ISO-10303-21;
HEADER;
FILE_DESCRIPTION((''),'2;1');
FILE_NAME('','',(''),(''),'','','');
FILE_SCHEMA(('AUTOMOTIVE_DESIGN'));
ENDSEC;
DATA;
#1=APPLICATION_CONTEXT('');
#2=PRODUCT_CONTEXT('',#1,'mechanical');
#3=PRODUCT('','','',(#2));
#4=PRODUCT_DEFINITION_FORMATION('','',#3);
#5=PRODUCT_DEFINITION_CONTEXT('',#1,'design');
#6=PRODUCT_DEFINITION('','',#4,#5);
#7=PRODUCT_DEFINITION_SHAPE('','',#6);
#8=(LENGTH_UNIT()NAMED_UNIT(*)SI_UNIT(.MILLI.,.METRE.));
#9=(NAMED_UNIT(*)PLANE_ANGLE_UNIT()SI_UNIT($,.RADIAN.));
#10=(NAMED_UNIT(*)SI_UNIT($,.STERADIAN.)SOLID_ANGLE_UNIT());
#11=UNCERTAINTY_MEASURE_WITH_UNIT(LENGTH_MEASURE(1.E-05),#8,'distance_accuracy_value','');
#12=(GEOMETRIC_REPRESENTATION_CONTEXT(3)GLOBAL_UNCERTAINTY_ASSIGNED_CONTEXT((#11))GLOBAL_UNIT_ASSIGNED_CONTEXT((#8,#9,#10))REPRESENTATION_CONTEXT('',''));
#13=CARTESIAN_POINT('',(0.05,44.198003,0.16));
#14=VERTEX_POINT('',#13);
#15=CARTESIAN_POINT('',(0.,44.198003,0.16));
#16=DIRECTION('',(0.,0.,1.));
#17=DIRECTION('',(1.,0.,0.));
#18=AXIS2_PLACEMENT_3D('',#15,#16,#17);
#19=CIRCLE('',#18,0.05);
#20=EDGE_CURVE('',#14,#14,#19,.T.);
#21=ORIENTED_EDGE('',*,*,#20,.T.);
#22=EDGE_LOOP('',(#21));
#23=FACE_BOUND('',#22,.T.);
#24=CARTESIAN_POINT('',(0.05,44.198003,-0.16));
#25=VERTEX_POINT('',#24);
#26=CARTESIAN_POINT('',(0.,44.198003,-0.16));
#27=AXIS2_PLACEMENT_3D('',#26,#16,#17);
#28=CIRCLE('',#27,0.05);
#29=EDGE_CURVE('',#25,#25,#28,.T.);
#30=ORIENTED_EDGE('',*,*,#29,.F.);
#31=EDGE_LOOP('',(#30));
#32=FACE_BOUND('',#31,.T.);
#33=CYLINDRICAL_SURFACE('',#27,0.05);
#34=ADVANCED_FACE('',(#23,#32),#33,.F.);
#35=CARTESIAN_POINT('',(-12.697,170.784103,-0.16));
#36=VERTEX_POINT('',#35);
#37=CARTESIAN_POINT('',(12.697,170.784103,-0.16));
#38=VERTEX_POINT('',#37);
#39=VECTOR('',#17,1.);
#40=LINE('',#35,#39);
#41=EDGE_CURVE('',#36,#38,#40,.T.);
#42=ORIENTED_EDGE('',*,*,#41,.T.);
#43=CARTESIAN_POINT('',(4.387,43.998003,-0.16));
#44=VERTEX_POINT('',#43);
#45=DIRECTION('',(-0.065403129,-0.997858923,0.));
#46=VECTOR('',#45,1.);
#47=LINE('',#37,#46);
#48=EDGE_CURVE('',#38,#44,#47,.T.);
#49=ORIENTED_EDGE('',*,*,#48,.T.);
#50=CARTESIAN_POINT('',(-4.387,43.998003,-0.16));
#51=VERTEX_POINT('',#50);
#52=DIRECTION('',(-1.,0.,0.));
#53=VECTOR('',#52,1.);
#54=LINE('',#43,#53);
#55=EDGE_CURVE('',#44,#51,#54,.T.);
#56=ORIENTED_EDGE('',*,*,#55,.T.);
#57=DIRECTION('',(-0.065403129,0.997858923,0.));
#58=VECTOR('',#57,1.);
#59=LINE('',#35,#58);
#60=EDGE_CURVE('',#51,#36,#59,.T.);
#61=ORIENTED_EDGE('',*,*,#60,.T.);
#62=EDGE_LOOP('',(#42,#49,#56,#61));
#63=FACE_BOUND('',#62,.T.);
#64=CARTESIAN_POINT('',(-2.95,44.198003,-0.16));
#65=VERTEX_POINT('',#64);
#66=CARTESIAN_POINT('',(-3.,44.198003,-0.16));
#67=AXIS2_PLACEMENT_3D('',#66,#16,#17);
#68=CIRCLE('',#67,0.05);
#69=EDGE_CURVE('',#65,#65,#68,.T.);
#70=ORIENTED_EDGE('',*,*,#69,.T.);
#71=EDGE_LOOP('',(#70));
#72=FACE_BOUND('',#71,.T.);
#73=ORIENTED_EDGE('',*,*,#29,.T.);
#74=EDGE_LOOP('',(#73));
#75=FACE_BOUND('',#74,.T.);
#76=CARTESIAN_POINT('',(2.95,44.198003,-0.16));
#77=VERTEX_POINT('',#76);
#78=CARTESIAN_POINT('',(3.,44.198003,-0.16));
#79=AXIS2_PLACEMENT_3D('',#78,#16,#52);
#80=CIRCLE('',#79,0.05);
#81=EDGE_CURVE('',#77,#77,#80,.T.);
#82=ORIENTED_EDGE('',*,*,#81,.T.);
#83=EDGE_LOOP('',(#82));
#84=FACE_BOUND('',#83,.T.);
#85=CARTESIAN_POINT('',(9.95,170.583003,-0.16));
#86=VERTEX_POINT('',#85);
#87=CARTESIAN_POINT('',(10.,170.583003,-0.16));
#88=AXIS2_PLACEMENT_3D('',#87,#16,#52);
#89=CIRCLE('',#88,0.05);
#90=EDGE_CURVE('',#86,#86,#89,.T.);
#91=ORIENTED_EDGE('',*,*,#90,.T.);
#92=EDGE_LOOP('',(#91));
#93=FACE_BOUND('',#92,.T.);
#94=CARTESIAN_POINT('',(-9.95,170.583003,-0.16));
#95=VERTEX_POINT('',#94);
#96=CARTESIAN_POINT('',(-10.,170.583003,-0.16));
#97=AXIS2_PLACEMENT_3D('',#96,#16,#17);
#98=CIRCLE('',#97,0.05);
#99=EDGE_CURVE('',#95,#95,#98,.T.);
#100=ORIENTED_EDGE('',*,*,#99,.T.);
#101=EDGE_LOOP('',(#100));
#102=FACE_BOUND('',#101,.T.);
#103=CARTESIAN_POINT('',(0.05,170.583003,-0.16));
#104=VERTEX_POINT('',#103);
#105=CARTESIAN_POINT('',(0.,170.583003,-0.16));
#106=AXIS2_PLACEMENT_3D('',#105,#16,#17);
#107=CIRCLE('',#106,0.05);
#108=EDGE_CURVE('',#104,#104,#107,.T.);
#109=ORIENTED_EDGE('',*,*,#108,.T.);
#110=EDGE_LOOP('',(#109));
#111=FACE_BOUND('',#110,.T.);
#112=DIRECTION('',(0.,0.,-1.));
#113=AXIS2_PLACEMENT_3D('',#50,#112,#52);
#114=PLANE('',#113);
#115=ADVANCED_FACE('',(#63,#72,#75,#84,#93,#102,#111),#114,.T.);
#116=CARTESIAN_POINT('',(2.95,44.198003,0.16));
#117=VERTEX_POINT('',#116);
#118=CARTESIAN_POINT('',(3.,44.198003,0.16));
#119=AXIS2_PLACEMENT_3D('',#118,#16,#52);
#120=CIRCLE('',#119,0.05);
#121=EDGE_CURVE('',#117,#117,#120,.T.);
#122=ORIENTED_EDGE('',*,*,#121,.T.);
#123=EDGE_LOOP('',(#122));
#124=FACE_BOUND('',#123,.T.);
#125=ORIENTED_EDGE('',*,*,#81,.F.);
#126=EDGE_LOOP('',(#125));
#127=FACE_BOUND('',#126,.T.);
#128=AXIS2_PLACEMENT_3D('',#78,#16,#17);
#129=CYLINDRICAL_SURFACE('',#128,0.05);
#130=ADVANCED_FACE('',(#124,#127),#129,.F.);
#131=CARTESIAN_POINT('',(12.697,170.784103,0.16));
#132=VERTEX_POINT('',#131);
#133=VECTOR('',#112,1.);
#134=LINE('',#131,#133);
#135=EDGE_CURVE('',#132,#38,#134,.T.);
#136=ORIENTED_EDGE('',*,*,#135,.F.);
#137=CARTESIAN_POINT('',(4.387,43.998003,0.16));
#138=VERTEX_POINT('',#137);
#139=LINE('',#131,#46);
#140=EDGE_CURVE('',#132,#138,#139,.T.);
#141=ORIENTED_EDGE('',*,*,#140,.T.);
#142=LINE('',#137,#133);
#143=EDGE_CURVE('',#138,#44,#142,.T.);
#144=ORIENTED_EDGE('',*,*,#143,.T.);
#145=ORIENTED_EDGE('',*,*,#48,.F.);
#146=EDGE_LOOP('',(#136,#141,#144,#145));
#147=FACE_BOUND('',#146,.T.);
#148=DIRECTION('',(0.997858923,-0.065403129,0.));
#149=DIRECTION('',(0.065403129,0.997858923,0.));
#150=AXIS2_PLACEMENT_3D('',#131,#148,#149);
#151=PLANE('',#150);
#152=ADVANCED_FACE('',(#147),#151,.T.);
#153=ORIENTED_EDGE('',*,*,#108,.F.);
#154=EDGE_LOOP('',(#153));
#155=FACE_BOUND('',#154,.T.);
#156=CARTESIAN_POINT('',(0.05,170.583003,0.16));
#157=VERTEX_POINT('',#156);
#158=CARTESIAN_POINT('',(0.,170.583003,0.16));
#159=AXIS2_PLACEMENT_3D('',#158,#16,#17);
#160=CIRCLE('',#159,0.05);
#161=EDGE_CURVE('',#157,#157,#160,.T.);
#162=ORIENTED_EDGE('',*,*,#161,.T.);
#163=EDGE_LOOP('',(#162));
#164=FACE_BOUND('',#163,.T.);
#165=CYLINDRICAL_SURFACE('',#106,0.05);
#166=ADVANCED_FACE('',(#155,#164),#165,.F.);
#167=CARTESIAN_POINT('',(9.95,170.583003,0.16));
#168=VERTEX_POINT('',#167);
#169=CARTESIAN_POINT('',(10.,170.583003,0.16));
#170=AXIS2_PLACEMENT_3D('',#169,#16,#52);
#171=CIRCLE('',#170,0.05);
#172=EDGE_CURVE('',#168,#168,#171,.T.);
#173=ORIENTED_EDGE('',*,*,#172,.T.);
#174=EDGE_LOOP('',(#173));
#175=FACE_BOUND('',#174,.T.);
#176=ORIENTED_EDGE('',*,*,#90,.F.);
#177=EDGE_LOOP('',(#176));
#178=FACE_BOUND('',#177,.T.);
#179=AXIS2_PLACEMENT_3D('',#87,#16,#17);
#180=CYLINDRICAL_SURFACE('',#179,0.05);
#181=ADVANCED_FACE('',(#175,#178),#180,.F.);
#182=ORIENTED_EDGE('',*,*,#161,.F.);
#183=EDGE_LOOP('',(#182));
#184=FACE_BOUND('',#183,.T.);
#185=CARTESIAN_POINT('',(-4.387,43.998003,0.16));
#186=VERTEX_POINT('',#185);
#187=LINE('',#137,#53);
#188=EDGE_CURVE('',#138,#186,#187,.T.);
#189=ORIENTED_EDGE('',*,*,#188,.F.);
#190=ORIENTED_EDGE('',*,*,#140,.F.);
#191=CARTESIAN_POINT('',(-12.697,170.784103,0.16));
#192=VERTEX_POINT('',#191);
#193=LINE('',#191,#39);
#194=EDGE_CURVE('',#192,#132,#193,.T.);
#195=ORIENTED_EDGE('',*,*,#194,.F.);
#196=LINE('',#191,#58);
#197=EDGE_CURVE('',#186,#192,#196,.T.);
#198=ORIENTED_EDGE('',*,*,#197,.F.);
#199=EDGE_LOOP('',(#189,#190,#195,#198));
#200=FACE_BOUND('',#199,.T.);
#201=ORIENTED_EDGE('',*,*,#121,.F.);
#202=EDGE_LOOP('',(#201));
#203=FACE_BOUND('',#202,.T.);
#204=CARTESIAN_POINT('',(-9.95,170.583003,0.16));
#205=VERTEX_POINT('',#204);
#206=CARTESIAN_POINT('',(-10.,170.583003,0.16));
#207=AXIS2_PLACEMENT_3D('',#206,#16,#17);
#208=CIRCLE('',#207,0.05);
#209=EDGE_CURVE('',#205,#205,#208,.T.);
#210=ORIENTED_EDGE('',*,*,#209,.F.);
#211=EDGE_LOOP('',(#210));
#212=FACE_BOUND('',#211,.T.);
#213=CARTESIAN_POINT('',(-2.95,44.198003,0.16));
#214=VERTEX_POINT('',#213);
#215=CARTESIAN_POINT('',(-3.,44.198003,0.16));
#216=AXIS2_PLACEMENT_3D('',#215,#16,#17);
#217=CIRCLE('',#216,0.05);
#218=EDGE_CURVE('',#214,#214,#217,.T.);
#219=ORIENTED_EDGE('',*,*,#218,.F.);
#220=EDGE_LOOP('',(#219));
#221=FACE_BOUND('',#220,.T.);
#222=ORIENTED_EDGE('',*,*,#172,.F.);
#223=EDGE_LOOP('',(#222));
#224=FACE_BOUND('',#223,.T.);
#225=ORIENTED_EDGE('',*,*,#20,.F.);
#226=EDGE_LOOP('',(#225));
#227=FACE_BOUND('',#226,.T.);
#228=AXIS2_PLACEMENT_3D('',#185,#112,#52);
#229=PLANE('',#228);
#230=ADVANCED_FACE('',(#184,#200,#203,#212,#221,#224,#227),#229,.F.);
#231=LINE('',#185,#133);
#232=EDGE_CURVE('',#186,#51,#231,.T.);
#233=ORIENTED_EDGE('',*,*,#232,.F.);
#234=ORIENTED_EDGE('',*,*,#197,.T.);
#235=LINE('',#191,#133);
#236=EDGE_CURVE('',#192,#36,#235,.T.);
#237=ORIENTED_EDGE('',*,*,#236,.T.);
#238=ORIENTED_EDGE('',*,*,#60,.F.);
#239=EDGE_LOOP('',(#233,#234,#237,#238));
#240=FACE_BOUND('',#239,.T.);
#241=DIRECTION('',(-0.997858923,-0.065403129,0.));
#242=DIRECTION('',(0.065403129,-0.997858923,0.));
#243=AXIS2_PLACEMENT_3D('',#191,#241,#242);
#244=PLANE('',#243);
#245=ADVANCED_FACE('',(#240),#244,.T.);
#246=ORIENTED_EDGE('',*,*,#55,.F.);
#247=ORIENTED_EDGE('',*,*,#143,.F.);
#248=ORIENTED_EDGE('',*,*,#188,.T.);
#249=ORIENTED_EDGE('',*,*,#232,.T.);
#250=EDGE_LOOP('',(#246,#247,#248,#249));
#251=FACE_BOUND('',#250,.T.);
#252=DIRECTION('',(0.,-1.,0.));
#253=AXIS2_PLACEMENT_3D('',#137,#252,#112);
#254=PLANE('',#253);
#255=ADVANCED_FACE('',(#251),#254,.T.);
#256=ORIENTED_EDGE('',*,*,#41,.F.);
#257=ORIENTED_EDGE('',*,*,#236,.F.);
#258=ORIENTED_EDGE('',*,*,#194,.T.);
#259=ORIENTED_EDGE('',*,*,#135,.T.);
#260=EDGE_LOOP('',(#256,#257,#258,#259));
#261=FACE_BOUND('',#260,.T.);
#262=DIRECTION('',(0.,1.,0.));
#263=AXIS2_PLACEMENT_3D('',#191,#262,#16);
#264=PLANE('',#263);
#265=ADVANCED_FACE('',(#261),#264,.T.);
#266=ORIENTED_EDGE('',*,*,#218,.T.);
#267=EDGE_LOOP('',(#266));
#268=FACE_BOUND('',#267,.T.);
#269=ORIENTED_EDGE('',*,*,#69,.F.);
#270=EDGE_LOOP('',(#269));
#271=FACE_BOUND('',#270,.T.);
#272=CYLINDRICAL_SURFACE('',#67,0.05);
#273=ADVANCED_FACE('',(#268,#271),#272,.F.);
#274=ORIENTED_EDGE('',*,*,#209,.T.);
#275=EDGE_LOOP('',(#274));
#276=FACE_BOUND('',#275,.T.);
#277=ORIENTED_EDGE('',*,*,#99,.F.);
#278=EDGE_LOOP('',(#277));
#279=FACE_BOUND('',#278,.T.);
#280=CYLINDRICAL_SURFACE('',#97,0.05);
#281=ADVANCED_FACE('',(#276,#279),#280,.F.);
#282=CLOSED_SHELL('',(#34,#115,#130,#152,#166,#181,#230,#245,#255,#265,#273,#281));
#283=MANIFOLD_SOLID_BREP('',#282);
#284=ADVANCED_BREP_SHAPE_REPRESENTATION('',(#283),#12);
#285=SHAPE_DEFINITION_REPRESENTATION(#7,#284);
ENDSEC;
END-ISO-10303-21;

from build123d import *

# Parameters (mm, degrees)
EXTRUDE1_DEPTH = 0.16
SKETCH2_R      = 0.05
EXTRUDE2_DEPTH = 1.32


with BuildPart() as part:
    # Sketch1 → Extrude1 (new body, symmetric)
    with BuildSketch(Plane(origin=(0, 0, 0), x_dir=(-1, 0, 0), z_dir=(0, 0, -1))):
        Polygon((-4.387, 43.998003308), (4.387, 43.998003308), (12.697, 170.784102838), (-12.697, 170.784102838), align=None)
    extrude(amount=EXTRUDE1_DEPTH, both=True)

    # Sketch2 → Extrude2 (cut, through all)
    with BuildSketch(Plane.XY.offset(0.16)):
        with Locations((-3, 44.198003308)):
            Circle(SKETCH2_R)
        with Locations((0, 44.198003308)):
            Circle(SKETCH2_R)
        with Locations(Location((3, 44.198003308, 0), (0, 0, 180))):  # turned: the seam where the file's is
            Circle(SKETCH2_R)
        with Locations((0, 170.583003308)):
            Circle(SKETCH2_R)
        with Locations((-10, 170.583003308)):
            Circle(SKETCH2_R)
        with Locations(Location((10, 170.583003308, 0), (0, 0, 180))):  # turned: the seam where the file's is
            Circle(SKETCH2_R)
    extrude(amount=-EXTRUDE2_DEPTH, mode=Mode.SUBTRACT)


solid = part.part
